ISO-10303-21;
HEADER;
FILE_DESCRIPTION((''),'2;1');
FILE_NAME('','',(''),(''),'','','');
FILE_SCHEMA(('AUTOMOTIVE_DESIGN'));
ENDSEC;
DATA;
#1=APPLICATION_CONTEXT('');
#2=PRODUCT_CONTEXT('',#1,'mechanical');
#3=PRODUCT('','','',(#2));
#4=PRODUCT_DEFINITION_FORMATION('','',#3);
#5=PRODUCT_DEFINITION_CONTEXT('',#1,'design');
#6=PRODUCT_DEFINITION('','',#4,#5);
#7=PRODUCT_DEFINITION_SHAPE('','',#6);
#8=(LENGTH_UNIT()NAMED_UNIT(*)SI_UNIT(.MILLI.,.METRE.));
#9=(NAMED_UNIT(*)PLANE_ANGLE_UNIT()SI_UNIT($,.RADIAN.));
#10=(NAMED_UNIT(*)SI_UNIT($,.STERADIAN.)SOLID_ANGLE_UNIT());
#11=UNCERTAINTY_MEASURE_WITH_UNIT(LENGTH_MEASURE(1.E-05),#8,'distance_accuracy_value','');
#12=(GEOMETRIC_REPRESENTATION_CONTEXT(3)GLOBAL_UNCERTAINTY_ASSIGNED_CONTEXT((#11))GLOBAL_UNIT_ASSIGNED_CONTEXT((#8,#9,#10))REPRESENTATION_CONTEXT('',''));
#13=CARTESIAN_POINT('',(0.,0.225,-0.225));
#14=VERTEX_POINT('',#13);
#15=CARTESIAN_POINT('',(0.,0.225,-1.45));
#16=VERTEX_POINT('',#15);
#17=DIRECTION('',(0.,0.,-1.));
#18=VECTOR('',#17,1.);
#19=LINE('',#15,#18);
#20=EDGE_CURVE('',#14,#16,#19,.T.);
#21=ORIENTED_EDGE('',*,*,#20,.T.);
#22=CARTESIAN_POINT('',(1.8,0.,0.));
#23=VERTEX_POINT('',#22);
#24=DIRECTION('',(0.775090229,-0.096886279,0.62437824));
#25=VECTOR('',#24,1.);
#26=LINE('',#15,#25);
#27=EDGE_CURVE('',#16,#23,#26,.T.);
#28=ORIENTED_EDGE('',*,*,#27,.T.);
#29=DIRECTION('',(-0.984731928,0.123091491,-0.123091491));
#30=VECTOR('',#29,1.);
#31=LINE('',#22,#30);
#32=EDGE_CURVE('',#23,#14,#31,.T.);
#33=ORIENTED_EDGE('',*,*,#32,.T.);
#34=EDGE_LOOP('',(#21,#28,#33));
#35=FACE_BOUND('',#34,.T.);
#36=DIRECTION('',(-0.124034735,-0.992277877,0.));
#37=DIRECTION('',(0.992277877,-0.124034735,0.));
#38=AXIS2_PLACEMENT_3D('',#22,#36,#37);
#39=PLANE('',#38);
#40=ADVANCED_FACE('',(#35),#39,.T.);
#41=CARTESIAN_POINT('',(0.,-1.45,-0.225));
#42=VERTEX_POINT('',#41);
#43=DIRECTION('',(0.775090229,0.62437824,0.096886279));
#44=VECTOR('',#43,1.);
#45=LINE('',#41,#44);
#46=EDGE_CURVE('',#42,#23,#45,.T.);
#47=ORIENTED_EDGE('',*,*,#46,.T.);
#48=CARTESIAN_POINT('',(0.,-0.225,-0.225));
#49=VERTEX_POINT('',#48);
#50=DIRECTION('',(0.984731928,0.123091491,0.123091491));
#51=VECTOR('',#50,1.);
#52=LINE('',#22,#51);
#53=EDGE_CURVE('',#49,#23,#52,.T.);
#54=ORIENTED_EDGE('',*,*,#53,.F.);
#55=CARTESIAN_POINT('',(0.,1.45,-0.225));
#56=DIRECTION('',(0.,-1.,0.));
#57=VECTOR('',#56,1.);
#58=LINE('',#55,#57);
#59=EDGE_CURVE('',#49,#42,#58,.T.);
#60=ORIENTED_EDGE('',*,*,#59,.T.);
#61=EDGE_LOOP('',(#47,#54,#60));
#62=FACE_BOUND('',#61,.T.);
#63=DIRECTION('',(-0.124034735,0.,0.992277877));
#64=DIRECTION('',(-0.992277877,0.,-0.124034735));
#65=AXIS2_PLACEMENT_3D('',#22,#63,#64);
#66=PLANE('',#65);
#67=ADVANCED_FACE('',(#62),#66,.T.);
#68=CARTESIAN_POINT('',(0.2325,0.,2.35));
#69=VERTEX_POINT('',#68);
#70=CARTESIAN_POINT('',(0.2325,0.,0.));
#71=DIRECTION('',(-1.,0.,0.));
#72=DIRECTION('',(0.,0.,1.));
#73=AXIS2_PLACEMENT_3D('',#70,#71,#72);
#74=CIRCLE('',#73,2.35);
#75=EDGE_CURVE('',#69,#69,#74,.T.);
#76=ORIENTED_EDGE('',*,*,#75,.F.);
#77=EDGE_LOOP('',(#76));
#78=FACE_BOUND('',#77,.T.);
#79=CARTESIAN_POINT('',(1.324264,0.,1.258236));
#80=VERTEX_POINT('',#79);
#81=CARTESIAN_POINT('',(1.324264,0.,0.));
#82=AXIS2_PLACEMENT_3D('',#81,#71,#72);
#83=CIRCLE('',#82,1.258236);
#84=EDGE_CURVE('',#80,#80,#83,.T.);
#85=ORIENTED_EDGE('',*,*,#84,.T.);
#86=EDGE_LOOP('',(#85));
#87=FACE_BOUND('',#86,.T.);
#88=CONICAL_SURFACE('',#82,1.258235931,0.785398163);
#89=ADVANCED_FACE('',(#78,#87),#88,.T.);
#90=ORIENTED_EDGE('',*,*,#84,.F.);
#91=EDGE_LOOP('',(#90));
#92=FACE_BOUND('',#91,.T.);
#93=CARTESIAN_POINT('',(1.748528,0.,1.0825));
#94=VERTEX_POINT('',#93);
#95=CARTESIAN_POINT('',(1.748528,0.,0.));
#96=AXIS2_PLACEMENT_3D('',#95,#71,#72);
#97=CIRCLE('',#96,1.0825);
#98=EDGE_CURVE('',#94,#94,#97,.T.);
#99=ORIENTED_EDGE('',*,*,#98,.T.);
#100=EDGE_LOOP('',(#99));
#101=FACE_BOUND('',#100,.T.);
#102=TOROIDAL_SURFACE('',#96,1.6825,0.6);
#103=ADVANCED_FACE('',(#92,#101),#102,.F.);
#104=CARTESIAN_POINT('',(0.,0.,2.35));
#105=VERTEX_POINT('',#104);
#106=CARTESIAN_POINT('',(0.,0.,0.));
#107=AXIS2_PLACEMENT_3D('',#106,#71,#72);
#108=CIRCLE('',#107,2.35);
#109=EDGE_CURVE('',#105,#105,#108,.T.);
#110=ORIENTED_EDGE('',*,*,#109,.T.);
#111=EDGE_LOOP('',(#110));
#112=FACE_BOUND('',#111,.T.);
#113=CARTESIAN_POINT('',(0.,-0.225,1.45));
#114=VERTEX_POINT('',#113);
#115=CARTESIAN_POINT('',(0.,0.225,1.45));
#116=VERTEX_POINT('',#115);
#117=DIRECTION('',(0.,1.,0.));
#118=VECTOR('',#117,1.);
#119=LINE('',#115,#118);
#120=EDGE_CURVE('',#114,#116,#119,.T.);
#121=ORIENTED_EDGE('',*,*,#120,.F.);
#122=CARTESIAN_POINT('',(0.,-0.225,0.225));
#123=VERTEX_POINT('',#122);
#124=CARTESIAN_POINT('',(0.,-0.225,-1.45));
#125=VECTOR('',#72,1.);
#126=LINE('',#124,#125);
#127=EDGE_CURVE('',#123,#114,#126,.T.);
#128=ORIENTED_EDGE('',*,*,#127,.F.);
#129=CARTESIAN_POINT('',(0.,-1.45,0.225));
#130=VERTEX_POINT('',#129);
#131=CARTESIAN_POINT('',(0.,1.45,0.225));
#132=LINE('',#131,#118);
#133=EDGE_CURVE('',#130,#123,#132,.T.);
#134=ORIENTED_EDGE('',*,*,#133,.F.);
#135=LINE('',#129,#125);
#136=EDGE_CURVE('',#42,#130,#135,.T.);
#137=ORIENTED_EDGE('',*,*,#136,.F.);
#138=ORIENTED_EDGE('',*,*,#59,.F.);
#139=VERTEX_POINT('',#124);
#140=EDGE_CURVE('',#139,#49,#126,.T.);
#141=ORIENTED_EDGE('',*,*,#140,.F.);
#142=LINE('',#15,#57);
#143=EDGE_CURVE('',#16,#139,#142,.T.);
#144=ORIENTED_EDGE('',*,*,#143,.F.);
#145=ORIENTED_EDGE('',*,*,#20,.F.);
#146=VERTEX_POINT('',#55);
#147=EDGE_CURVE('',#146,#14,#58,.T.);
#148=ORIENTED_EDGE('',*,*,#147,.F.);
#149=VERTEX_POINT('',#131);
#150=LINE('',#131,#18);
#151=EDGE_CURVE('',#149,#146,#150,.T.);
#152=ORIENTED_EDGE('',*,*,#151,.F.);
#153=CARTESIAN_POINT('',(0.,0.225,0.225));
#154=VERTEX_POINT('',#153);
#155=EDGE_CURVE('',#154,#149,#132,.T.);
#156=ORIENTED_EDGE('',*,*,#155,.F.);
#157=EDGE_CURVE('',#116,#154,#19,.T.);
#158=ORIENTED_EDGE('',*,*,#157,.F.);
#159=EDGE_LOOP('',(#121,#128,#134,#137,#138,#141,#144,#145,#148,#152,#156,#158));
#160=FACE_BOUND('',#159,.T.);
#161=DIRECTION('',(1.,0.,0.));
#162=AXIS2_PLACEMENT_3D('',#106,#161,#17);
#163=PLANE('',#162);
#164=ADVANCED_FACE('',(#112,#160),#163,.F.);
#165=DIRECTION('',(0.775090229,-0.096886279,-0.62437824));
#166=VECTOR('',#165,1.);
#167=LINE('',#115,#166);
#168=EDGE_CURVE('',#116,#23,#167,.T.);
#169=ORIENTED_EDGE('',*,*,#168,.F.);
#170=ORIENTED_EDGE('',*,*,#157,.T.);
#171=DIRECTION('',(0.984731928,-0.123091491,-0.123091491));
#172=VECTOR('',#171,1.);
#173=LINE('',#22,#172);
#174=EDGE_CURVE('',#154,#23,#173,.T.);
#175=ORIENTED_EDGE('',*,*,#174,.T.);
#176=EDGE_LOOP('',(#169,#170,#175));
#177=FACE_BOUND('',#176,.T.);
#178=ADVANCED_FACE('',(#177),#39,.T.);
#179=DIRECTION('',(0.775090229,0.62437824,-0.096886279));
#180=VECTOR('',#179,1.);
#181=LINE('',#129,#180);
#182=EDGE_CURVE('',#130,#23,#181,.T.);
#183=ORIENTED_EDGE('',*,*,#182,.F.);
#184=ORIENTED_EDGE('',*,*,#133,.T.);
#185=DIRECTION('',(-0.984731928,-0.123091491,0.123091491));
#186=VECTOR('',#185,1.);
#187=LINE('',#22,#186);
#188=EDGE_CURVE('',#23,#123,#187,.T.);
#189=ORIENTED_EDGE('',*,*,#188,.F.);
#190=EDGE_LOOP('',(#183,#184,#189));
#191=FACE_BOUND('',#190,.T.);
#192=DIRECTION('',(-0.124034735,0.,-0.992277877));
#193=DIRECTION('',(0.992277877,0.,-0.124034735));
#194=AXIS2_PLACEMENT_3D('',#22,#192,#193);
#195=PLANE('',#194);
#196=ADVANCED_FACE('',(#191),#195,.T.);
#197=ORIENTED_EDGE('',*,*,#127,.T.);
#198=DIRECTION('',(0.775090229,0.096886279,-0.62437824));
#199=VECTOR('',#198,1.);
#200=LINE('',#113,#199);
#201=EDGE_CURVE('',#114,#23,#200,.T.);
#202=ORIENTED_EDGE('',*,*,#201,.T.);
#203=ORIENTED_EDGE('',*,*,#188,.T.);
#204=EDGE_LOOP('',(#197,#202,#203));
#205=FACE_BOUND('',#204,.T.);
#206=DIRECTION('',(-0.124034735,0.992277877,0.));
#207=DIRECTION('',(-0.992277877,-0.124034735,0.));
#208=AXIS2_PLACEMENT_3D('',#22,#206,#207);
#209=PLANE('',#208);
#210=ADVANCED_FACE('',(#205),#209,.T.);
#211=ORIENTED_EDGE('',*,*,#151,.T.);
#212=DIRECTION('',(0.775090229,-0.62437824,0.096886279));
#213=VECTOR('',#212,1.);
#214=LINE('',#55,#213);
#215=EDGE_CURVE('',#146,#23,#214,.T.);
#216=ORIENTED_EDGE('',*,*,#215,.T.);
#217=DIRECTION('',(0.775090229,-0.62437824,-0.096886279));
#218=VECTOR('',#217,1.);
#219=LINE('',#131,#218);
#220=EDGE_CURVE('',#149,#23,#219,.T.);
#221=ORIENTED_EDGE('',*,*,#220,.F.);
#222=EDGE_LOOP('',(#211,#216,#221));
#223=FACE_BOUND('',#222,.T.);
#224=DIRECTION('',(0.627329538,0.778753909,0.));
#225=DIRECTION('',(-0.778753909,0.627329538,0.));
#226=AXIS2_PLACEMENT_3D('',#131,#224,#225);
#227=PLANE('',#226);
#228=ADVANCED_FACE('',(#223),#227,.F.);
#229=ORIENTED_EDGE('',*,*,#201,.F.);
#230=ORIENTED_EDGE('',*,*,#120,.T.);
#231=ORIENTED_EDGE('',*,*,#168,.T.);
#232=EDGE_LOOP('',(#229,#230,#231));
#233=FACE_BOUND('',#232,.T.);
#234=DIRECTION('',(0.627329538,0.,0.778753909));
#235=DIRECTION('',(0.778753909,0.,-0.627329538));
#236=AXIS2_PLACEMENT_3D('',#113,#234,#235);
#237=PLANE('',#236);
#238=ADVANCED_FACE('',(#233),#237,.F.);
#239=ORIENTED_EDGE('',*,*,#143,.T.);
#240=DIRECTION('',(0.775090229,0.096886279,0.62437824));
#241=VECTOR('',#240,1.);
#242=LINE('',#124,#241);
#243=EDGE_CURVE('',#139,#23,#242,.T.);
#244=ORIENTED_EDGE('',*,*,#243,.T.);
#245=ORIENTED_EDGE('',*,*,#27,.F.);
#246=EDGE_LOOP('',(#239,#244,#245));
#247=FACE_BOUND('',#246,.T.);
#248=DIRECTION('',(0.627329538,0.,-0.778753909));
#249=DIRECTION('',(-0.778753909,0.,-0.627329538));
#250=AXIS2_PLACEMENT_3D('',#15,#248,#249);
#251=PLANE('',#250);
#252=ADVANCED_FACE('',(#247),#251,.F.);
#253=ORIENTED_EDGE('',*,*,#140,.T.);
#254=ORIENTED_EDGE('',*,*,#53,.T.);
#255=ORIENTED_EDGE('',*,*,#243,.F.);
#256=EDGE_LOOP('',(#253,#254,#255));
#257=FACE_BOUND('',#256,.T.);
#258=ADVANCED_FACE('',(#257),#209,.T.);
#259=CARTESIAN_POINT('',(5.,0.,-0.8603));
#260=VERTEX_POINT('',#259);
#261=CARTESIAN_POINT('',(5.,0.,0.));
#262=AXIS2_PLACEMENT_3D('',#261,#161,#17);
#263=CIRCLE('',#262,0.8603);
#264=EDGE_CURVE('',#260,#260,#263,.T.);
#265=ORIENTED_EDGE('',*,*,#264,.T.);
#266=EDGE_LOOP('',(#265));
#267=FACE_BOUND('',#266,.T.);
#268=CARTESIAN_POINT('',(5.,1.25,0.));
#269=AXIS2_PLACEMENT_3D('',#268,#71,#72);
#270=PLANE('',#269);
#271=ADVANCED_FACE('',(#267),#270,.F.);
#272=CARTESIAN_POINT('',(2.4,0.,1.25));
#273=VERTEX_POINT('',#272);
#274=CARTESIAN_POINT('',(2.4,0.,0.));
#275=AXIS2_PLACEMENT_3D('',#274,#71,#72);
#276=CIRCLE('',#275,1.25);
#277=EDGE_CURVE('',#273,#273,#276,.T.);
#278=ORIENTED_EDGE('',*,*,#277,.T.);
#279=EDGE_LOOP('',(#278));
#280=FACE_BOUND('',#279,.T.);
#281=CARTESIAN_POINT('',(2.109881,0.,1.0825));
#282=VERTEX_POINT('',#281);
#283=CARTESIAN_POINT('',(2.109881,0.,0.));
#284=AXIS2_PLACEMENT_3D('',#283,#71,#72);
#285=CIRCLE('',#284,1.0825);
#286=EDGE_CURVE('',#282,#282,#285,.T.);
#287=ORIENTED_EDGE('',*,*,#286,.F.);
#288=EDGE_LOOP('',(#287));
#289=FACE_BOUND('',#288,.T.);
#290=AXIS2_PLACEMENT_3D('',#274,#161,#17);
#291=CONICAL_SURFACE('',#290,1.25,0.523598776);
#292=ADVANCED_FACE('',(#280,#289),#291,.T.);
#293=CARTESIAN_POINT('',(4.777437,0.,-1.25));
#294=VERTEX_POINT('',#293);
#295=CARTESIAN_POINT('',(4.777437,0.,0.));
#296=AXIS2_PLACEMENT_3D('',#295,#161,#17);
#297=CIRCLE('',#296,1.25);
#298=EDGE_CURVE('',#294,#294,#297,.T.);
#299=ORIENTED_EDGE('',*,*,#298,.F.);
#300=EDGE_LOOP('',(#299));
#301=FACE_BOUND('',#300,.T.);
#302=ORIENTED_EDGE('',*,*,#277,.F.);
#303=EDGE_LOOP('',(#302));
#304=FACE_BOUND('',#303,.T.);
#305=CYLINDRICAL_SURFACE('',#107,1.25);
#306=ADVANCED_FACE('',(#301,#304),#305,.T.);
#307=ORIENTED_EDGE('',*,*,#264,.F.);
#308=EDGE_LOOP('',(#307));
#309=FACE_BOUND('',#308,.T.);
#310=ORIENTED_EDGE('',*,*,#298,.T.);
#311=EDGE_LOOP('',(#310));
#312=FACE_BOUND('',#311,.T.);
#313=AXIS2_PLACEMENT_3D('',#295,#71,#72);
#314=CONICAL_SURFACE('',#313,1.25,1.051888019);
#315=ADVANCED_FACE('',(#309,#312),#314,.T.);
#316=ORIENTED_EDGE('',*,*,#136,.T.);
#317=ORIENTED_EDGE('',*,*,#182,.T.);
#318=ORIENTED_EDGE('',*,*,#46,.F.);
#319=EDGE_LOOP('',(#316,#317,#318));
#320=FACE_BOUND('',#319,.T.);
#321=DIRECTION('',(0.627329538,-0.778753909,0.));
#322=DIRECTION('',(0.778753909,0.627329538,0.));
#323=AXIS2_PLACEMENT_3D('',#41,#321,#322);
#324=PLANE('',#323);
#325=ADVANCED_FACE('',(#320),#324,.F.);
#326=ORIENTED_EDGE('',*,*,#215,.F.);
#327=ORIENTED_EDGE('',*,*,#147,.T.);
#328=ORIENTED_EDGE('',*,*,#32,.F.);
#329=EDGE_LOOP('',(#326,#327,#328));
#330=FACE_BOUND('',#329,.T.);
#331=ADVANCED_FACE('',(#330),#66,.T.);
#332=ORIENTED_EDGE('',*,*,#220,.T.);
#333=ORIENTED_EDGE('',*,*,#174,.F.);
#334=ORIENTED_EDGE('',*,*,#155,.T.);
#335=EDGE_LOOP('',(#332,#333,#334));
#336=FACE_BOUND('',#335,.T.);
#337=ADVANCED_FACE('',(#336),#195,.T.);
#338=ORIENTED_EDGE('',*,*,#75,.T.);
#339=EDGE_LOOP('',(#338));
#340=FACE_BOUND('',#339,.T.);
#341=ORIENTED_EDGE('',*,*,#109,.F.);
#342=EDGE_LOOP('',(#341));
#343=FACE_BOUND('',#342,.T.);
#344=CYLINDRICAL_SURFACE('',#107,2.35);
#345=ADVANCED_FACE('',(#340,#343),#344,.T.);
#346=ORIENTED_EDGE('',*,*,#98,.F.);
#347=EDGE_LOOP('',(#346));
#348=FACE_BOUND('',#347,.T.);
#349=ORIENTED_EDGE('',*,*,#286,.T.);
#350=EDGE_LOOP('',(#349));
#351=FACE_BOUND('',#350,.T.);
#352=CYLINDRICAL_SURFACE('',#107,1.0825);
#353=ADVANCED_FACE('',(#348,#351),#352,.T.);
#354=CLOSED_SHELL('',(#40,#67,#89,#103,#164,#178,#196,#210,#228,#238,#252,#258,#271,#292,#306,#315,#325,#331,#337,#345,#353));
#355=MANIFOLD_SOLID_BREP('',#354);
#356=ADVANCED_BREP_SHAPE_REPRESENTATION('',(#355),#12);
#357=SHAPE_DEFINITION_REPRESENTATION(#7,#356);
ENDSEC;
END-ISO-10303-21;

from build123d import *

# Parameters (mm, degrees)
PATTERN_CIRCULAR_1_COUNT = 2
PATTERN_CIRCULAR_1_ANGLE = 90


with BuildPart() as part:
    # 草图1 → Revolve 707 (revolve)
    with BuildSketch(Plane.XY, mode=Mode.PRIVATE) as revolve_707_sk:
        with BuildLine():
            Line((0, 0), (0, 2.35))
            Line((0, 2.35), (0.2325, 2.35))
            Line((0.2325, 2.35), (1.324264069, 1.258235931))
            ThreePointArc((1.324264069, 1.258235931), (1.518918078, 1.12817228), (1.748528137, 1.0825))
            Line((1.748528137, 1.0825), (2.10988149, 1.0825))
            Line((2.10988149, 1.0825), (2.4, 1.25))
            Line((2.4, 1.25), (5, 1.25))
            Line((5, 1.25), (5, 0))
            Line((5, 0), (0, 0))
        make_face()
    revolve(revolve_707_sk.sketch.rotate(Axis((0, 0, 0), (1, 0, 0)), 90), axis=Axis((0, 0, 0), (1, 0, 0)))

    # 草图2 → 切除-旋转1 (revolve, cut)
    with BuildSketch(Plane.XY, mode=Mode.PRIVATE) as cut_revolve_1_sk:
        Polygon((4.777437203, 1.25), (5.227437203, 1.25), (5, 0.8603), align=None)
    revolve(cut_revolve_1_sk.sketch.rotate(Axis((0, 0, 0), (-1, 0, 0)), 270), axis=Axis((0, 0, 0), (-1, 0, 0)), mode=Mode.SUBTRACT)

    # 草图3 → 切除-放样1 section 0
    with BuildSketch(Plane.ZY, mode=Mode.PRIVATE) as loft_1_s0:
        with BuildLine():
            Line((-1.45, 0.225), (1.45, 0.225))
            Line((1.45, 0.225), (1.45, -0.225))
            Line((1.45, -0.225), (-1.45, -0.225))
            Line((-1.45, -0.225), (-1.45, 0.225))
        make_face()
    loft_1 = loft([loft_1_s0.sketch, Vertex(1.8, 0, 0)], mode=Mode.SUBTRACT)

    # 阵列(圆周)1: 切除-放样1 ×2 about axis
    pattern_circular_1_axis = Axis((0, 0, 0), (1, 0, 0))
    for i in range(1, PATTERN_CIRCULAR_1_COUNT):
        add(loft_1.rotate(pattern_circular_1_axis, i * PATTERN_CIRCULAR_1_ANGLE / (PATTERN_CIRCULAR_1_COUNT - 1)), mode=Mode.SUBTRACT)


solid = part.part
